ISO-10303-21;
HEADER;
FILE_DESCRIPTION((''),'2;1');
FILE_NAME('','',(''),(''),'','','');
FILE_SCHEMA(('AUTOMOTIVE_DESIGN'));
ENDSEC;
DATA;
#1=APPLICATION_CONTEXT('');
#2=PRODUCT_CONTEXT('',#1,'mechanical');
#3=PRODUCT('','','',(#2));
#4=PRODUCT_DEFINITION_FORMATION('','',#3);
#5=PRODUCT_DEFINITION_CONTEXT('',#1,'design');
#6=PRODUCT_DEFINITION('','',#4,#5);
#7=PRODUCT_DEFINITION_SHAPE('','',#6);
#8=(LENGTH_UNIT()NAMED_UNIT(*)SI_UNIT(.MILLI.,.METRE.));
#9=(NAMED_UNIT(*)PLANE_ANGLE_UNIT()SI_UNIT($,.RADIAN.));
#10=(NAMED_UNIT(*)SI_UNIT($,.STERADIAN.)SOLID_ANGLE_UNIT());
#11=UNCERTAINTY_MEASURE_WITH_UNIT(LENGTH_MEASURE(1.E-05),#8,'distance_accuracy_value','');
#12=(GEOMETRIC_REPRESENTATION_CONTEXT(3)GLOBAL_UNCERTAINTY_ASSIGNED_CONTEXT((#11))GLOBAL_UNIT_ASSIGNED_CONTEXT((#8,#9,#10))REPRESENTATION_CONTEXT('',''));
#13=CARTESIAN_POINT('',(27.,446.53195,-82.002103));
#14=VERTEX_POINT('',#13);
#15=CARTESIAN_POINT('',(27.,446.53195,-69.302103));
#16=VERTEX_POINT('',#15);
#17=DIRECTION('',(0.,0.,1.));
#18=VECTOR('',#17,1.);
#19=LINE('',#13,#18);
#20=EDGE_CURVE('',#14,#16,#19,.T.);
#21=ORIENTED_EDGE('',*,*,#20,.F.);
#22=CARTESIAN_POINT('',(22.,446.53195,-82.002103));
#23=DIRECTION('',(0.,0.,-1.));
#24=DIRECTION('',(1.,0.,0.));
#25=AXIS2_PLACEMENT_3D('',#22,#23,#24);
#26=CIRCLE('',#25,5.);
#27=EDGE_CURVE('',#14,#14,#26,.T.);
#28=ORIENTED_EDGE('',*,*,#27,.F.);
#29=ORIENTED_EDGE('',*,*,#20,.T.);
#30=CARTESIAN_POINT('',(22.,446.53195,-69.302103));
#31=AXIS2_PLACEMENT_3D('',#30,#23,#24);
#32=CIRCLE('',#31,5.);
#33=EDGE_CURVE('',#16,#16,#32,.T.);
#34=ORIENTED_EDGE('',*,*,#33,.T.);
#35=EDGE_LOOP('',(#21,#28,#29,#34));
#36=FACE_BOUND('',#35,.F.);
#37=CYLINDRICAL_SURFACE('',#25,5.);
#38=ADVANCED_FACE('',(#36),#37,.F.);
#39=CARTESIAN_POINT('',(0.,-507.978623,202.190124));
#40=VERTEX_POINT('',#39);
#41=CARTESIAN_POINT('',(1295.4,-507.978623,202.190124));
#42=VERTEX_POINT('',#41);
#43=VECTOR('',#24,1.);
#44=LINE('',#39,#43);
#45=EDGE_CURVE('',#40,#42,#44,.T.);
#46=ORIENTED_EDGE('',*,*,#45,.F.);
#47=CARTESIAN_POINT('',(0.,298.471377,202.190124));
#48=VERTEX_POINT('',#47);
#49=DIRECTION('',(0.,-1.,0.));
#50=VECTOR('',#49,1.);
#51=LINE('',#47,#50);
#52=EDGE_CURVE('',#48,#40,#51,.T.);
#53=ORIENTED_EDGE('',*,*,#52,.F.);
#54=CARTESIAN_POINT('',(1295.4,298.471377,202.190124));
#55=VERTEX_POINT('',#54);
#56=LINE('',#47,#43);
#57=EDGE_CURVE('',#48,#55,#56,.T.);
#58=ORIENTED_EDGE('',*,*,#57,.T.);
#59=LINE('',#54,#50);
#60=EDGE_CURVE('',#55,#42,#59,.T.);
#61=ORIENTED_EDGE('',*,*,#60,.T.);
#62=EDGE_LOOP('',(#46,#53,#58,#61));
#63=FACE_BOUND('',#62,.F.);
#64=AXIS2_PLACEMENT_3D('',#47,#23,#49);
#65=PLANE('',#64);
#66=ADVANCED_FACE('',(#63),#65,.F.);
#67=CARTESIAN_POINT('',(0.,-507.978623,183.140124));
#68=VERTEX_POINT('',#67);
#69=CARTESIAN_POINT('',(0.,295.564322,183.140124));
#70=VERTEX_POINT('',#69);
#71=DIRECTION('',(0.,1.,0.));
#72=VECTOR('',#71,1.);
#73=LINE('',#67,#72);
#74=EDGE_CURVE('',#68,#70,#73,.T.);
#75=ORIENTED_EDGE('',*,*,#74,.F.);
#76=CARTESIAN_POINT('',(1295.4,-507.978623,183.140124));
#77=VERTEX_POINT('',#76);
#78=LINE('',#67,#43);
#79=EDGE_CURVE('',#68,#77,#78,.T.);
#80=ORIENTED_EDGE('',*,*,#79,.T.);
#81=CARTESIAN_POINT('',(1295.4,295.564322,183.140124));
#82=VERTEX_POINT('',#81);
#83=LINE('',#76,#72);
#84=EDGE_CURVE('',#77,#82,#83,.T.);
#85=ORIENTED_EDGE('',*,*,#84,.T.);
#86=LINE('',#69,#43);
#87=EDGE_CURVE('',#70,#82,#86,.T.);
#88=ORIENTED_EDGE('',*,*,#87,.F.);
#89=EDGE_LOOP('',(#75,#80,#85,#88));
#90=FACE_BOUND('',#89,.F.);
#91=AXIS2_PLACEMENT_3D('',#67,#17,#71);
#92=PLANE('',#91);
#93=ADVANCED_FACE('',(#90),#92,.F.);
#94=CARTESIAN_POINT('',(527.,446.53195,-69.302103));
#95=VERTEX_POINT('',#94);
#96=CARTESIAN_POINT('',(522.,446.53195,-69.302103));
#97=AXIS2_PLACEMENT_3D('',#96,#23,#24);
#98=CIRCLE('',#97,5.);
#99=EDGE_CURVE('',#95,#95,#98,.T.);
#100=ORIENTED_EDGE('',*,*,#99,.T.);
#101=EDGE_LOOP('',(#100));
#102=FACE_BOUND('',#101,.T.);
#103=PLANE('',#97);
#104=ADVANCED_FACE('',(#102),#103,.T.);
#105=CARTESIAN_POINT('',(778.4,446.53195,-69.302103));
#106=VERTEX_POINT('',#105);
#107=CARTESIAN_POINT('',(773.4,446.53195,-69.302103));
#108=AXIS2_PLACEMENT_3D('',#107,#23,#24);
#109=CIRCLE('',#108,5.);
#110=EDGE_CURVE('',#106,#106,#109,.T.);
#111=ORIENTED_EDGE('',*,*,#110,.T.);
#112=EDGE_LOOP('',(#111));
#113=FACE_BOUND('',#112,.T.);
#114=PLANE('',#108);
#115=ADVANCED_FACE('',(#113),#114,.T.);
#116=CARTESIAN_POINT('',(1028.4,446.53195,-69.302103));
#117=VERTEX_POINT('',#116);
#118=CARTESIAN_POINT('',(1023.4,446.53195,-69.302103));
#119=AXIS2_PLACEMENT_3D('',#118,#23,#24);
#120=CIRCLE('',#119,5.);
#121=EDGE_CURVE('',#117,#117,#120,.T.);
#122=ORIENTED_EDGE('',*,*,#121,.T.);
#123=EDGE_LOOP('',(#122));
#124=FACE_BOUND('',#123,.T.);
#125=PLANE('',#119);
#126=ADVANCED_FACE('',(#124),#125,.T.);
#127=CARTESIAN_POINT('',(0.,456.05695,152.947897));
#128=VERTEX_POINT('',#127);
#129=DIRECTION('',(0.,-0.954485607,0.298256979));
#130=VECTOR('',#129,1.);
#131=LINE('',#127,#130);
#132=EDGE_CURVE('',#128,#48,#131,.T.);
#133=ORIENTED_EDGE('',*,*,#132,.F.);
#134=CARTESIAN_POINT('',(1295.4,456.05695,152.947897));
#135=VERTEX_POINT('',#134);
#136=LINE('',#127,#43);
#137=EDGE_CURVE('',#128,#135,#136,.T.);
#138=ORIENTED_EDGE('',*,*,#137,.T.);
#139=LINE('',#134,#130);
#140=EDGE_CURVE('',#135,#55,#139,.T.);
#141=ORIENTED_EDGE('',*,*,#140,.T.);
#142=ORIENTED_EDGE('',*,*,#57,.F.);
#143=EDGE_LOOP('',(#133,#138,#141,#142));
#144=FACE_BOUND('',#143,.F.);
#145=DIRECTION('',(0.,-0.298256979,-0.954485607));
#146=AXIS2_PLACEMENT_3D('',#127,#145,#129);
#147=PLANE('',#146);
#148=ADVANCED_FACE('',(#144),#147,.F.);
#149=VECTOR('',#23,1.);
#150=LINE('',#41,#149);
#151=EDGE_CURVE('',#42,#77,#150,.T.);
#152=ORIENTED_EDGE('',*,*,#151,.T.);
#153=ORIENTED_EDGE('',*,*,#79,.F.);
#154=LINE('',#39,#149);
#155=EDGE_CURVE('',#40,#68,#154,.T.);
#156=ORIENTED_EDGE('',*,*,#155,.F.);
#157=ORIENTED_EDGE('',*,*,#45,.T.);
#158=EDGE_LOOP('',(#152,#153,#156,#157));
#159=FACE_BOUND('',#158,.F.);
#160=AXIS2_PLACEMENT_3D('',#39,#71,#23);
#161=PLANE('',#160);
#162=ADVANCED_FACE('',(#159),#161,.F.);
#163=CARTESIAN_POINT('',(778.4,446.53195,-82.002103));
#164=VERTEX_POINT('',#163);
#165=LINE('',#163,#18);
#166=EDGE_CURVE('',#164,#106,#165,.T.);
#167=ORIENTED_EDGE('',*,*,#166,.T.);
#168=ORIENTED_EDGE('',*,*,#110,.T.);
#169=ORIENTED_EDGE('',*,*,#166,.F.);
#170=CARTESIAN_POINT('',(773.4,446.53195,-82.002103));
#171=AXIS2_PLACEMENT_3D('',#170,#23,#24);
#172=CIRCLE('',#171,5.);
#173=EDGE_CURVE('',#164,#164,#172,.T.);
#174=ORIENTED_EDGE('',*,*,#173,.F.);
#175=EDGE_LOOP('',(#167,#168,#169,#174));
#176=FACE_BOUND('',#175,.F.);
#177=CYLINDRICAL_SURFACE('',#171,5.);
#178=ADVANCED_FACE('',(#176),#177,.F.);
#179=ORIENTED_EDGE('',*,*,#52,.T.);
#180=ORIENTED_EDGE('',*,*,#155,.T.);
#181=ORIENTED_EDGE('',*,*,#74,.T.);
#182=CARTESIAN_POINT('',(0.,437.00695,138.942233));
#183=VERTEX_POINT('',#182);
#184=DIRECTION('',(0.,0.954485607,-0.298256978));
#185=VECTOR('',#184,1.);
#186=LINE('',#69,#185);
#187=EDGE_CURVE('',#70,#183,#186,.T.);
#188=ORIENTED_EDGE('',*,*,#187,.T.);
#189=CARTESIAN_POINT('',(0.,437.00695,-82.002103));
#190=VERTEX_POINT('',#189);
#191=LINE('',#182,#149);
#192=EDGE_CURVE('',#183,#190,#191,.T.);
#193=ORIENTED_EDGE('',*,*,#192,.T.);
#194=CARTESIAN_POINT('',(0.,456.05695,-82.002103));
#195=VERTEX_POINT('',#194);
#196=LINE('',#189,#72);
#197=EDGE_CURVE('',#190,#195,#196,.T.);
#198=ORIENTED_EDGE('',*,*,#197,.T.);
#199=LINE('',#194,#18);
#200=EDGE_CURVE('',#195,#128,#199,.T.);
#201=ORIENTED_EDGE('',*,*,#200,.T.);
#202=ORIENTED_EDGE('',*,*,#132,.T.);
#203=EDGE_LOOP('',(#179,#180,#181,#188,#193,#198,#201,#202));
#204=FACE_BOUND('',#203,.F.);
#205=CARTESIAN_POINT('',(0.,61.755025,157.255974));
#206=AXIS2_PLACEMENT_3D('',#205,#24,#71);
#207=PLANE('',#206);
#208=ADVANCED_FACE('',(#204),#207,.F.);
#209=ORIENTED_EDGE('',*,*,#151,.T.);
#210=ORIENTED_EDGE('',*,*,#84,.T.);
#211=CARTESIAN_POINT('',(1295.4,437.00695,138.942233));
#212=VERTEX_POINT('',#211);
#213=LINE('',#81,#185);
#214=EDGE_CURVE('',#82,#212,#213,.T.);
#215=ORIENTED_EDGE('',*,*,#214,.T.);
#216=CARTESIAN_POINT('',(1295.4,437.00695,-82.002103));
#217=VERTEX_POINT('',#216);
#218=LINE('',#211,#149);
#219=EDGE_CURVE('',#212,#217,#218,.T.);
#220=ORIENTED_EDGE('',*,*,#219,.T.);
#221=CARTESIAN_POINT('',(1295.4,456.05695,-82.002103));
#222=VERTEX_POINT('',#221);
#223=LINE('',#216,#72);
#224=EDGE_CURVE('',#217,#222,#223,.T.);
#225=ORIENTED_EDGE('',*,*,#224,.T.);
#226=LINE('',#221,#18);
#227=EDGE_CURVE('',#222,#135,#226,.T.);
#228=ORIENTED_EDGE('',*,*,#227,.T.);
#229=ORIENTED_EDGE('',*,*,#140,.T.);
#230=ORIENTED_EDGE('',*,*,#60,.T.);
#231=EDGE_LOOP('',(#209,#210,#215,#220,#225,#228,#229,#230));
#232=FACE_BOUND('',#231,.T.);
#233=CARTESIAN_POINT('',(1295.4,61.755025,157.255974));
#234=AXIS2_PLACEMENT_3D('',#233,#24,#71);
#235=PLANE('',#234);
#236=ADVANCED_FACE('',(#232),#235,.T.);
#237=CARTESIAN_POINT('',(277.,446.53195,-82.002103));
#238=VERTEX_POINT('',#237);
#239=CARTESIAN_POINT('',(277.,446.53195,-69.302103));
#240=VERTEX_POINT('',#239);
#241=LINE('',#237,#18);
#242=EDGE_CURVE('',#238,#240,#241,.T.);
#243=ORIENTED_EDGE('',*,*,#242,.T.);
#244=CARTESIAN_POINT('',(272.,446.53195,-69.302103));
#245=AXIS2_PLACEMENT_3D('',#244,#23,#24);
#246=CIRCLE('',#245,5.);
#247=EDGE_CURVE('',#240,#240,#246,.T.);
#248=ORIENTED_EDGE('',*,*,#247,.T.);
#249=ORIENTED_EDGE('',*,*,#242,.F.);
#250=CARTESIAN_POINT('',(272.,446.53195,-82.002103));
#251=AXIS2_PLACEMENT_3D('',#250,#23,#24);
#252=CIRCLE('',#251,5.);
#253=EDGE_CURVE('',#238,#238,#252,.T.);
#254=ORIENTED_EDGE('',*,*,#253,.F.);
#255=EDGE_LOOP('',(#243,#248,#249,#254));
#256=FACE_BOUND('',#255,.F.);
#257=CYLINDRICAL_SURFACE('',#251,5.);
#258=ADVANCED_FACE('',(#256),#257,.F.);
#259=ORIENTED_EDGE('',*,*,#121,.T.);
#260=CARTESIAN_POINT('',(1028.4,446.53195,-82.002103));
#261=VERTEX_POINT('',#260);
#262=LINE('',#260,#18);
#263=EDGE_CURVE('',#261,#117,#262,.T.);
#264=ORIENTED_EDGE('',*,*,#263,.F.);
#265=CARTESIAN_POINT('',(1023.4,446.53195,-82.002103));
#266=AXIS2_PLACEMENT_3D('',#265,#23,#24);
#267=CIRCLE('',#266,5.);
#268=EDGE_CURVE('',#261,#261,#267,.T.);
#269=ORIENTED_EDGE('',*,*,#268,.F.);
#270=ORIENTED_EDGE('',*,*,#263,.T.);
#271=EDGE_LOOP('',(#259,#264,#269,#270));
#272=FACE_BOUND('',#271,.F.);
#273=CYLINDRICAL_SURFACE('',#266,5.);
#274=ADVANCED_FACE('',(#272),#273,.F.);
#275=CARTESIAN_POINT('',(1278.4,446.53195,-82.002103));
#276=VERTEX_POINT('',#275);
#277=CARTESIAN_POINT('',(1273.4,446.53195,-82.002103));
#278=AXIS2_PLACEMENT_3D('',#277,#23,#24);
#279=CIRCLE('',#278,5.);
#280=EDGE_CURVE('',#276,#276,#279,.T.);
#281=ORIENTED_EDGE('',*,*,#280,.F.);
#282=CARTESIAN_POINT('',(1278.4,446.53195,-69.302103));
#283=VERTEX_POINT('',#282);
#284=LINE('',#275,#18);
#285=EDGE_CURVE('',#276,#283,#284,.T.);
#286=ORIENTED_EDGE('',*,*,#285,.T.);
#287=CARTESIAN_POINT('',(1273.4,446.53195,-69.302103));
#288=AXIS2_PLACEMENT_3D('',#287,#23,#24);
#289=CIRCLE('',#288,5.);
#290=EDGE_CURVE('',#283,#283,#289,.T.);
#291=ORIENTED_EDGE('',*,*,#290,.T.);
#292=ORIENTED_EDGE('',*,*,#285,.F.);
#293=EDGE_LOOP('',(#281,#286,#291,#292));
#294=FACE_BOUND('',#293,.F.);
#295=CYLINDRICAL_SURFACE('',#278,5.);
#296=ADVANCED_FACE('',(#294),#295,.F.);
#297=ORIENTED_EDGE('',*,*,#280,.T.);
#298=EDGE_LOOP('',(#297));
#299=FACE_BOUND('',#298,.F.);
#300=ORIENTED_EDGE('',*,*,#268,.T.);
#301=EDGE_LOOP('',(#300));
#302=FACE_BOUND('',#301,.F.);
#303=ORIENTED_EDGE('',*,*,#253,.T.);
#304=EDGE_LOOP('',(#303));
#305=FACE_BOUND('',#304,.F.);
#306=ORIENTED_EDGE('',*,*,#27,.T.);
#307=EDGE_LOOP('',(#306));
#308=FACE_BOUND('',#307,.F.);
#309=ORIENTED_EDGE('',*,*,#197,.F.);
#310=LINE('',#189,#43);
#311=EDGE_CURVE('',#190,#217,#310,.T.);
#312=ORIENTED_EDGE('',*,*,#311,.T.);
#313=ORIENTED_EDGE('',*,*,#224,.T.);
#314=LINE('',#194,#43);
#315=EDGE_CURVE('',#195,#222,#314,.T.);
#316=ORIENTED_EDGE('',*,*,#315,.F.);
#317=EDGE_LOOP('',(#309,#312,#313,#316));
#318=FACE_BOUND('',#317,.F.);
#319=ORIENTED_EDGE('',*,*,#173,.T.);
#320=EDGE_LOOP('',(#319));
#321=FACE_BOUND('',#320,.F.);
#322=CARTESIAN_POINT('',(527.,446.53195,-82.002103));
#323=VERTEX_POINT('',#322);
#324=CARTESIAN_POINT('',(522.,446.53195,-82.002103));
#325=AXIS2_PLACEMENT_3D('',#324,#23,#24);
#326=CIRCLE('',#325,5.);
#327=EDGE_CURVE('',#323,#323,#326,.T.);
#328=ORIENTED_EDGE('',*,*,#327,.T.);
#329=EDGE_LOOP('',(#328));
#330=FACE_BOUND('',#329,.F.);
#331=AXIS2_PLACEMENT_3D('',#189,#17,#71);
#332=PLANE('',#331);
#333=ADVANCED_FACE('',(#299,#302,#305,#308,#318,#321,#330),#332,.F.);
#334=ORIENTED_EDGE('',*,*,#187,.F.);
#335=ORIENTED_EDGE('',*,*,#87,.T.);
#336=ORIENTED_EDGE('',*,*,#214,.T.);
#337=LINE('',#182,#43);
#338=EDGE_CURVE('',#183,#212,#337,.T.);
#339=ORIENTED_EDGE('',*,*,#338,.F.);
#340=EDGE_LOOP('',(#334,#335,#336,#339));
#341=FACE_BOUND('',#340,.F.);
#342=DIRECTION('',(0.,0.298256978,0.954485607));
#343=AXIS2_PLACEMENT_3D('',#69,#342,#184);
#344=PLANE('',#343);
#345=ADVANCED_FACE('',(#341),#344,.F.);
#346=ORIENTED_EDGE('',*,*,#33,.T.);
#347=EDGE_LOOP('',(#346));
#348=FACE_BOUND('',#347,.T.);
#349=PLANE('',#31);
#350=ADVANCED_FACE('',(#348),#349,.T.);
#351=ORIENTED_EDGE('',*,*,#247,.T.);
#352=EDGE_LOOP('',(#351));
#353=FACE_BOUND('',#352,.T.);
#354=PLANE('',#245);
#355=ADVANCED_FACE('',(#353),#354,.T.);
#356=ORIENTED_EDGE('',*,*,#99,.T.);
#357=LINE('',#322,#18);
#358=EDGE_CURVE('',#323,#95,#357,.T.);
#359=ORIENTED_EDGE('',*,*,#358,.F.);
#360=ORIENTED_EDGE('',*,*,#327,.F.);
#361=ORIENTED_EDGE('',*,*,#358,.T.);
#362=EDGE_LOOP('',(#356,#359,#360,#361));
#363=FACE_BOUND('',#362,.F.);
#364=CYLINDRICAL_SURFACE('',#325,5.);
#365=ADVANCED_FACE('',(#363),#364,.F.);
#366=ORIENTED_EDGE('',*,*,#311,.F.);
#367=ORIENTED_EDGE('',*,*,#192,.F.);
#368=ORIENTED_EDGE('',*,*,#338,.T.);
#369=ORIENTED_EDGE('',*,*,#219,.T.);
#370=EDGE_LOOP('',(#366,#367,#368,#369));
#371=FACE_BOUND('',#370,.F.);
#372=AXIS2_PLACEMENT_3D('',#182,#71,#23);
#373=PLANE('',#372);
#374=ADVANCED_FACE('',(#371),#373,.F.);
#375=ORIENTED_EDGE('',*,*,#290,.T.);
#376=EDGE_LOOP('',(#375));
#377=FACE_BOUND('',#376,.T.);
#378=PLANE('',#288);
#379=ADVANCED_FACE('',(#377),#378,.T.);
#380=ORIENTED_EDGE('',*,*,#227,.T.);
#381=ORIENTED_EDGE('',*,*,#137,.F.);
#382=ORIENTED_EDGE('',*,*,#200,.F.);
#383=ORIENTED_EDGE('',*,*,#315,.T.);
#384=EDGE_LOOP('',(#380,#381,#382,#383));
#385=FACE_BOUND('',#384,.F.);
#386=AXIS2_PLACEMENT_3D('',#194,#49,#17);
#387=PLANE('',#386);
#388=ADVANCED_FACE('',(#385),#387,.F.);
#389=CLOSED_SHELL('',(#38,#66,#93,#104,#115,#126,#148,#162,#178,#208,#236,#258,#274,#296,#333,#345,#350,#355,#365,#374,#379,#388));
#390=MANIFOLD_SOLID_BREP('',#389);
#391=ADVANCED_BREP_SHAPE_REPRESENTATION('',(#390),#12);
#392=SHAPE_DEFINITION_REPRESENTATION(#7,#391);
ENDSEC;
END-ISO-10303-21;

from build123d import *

# Parameters (mm, degrees)
F1_DEPTH = 1295.4
F2_R     = 5
F3_DEPTH = 12.7


with BuildPart() as f1:
    # F0 (on Right) → F1 (new body)
    with BuildSketch(Plane.YZ):
        Polygon((298.471377, 202.190124), (-507.978623, 202.190124), (-507.978623, 183.140124), (295.564322, 183.140124), (437.00695, 138.942233), (437.00695, -82.002103), (456.05695, -82.002103), (456.05695, 152.947897), align=None)
    extrude(amount=F1_DEPTH)

    # F2 (on face) → F3 (cut)
    with BuildSketch(Plane(origin=(0, 0, -82.002103), x_dir=(1, 0, 0), z_dir=(0, 0, -1))):
        with Locations((22, -446.53195)):
            Circle(F2_R)
        with Locations((1273.4, -446.53195)):
            Circle(F2_R)
        with Locations((1023.4, -446.53195)):
            Circle(F2_R)
        with Locations((272, -446.53195)):
            Circle(F2_R)
        with Locations((773.4, -446.53195)):
            Circle(F2_R)
        with Locations((522, -446.53195)):
            Circle(F2_R)
    extrude(amount=-F3_DEPTH, mode=Mode.SUBTRACT)


solid = f1.part
